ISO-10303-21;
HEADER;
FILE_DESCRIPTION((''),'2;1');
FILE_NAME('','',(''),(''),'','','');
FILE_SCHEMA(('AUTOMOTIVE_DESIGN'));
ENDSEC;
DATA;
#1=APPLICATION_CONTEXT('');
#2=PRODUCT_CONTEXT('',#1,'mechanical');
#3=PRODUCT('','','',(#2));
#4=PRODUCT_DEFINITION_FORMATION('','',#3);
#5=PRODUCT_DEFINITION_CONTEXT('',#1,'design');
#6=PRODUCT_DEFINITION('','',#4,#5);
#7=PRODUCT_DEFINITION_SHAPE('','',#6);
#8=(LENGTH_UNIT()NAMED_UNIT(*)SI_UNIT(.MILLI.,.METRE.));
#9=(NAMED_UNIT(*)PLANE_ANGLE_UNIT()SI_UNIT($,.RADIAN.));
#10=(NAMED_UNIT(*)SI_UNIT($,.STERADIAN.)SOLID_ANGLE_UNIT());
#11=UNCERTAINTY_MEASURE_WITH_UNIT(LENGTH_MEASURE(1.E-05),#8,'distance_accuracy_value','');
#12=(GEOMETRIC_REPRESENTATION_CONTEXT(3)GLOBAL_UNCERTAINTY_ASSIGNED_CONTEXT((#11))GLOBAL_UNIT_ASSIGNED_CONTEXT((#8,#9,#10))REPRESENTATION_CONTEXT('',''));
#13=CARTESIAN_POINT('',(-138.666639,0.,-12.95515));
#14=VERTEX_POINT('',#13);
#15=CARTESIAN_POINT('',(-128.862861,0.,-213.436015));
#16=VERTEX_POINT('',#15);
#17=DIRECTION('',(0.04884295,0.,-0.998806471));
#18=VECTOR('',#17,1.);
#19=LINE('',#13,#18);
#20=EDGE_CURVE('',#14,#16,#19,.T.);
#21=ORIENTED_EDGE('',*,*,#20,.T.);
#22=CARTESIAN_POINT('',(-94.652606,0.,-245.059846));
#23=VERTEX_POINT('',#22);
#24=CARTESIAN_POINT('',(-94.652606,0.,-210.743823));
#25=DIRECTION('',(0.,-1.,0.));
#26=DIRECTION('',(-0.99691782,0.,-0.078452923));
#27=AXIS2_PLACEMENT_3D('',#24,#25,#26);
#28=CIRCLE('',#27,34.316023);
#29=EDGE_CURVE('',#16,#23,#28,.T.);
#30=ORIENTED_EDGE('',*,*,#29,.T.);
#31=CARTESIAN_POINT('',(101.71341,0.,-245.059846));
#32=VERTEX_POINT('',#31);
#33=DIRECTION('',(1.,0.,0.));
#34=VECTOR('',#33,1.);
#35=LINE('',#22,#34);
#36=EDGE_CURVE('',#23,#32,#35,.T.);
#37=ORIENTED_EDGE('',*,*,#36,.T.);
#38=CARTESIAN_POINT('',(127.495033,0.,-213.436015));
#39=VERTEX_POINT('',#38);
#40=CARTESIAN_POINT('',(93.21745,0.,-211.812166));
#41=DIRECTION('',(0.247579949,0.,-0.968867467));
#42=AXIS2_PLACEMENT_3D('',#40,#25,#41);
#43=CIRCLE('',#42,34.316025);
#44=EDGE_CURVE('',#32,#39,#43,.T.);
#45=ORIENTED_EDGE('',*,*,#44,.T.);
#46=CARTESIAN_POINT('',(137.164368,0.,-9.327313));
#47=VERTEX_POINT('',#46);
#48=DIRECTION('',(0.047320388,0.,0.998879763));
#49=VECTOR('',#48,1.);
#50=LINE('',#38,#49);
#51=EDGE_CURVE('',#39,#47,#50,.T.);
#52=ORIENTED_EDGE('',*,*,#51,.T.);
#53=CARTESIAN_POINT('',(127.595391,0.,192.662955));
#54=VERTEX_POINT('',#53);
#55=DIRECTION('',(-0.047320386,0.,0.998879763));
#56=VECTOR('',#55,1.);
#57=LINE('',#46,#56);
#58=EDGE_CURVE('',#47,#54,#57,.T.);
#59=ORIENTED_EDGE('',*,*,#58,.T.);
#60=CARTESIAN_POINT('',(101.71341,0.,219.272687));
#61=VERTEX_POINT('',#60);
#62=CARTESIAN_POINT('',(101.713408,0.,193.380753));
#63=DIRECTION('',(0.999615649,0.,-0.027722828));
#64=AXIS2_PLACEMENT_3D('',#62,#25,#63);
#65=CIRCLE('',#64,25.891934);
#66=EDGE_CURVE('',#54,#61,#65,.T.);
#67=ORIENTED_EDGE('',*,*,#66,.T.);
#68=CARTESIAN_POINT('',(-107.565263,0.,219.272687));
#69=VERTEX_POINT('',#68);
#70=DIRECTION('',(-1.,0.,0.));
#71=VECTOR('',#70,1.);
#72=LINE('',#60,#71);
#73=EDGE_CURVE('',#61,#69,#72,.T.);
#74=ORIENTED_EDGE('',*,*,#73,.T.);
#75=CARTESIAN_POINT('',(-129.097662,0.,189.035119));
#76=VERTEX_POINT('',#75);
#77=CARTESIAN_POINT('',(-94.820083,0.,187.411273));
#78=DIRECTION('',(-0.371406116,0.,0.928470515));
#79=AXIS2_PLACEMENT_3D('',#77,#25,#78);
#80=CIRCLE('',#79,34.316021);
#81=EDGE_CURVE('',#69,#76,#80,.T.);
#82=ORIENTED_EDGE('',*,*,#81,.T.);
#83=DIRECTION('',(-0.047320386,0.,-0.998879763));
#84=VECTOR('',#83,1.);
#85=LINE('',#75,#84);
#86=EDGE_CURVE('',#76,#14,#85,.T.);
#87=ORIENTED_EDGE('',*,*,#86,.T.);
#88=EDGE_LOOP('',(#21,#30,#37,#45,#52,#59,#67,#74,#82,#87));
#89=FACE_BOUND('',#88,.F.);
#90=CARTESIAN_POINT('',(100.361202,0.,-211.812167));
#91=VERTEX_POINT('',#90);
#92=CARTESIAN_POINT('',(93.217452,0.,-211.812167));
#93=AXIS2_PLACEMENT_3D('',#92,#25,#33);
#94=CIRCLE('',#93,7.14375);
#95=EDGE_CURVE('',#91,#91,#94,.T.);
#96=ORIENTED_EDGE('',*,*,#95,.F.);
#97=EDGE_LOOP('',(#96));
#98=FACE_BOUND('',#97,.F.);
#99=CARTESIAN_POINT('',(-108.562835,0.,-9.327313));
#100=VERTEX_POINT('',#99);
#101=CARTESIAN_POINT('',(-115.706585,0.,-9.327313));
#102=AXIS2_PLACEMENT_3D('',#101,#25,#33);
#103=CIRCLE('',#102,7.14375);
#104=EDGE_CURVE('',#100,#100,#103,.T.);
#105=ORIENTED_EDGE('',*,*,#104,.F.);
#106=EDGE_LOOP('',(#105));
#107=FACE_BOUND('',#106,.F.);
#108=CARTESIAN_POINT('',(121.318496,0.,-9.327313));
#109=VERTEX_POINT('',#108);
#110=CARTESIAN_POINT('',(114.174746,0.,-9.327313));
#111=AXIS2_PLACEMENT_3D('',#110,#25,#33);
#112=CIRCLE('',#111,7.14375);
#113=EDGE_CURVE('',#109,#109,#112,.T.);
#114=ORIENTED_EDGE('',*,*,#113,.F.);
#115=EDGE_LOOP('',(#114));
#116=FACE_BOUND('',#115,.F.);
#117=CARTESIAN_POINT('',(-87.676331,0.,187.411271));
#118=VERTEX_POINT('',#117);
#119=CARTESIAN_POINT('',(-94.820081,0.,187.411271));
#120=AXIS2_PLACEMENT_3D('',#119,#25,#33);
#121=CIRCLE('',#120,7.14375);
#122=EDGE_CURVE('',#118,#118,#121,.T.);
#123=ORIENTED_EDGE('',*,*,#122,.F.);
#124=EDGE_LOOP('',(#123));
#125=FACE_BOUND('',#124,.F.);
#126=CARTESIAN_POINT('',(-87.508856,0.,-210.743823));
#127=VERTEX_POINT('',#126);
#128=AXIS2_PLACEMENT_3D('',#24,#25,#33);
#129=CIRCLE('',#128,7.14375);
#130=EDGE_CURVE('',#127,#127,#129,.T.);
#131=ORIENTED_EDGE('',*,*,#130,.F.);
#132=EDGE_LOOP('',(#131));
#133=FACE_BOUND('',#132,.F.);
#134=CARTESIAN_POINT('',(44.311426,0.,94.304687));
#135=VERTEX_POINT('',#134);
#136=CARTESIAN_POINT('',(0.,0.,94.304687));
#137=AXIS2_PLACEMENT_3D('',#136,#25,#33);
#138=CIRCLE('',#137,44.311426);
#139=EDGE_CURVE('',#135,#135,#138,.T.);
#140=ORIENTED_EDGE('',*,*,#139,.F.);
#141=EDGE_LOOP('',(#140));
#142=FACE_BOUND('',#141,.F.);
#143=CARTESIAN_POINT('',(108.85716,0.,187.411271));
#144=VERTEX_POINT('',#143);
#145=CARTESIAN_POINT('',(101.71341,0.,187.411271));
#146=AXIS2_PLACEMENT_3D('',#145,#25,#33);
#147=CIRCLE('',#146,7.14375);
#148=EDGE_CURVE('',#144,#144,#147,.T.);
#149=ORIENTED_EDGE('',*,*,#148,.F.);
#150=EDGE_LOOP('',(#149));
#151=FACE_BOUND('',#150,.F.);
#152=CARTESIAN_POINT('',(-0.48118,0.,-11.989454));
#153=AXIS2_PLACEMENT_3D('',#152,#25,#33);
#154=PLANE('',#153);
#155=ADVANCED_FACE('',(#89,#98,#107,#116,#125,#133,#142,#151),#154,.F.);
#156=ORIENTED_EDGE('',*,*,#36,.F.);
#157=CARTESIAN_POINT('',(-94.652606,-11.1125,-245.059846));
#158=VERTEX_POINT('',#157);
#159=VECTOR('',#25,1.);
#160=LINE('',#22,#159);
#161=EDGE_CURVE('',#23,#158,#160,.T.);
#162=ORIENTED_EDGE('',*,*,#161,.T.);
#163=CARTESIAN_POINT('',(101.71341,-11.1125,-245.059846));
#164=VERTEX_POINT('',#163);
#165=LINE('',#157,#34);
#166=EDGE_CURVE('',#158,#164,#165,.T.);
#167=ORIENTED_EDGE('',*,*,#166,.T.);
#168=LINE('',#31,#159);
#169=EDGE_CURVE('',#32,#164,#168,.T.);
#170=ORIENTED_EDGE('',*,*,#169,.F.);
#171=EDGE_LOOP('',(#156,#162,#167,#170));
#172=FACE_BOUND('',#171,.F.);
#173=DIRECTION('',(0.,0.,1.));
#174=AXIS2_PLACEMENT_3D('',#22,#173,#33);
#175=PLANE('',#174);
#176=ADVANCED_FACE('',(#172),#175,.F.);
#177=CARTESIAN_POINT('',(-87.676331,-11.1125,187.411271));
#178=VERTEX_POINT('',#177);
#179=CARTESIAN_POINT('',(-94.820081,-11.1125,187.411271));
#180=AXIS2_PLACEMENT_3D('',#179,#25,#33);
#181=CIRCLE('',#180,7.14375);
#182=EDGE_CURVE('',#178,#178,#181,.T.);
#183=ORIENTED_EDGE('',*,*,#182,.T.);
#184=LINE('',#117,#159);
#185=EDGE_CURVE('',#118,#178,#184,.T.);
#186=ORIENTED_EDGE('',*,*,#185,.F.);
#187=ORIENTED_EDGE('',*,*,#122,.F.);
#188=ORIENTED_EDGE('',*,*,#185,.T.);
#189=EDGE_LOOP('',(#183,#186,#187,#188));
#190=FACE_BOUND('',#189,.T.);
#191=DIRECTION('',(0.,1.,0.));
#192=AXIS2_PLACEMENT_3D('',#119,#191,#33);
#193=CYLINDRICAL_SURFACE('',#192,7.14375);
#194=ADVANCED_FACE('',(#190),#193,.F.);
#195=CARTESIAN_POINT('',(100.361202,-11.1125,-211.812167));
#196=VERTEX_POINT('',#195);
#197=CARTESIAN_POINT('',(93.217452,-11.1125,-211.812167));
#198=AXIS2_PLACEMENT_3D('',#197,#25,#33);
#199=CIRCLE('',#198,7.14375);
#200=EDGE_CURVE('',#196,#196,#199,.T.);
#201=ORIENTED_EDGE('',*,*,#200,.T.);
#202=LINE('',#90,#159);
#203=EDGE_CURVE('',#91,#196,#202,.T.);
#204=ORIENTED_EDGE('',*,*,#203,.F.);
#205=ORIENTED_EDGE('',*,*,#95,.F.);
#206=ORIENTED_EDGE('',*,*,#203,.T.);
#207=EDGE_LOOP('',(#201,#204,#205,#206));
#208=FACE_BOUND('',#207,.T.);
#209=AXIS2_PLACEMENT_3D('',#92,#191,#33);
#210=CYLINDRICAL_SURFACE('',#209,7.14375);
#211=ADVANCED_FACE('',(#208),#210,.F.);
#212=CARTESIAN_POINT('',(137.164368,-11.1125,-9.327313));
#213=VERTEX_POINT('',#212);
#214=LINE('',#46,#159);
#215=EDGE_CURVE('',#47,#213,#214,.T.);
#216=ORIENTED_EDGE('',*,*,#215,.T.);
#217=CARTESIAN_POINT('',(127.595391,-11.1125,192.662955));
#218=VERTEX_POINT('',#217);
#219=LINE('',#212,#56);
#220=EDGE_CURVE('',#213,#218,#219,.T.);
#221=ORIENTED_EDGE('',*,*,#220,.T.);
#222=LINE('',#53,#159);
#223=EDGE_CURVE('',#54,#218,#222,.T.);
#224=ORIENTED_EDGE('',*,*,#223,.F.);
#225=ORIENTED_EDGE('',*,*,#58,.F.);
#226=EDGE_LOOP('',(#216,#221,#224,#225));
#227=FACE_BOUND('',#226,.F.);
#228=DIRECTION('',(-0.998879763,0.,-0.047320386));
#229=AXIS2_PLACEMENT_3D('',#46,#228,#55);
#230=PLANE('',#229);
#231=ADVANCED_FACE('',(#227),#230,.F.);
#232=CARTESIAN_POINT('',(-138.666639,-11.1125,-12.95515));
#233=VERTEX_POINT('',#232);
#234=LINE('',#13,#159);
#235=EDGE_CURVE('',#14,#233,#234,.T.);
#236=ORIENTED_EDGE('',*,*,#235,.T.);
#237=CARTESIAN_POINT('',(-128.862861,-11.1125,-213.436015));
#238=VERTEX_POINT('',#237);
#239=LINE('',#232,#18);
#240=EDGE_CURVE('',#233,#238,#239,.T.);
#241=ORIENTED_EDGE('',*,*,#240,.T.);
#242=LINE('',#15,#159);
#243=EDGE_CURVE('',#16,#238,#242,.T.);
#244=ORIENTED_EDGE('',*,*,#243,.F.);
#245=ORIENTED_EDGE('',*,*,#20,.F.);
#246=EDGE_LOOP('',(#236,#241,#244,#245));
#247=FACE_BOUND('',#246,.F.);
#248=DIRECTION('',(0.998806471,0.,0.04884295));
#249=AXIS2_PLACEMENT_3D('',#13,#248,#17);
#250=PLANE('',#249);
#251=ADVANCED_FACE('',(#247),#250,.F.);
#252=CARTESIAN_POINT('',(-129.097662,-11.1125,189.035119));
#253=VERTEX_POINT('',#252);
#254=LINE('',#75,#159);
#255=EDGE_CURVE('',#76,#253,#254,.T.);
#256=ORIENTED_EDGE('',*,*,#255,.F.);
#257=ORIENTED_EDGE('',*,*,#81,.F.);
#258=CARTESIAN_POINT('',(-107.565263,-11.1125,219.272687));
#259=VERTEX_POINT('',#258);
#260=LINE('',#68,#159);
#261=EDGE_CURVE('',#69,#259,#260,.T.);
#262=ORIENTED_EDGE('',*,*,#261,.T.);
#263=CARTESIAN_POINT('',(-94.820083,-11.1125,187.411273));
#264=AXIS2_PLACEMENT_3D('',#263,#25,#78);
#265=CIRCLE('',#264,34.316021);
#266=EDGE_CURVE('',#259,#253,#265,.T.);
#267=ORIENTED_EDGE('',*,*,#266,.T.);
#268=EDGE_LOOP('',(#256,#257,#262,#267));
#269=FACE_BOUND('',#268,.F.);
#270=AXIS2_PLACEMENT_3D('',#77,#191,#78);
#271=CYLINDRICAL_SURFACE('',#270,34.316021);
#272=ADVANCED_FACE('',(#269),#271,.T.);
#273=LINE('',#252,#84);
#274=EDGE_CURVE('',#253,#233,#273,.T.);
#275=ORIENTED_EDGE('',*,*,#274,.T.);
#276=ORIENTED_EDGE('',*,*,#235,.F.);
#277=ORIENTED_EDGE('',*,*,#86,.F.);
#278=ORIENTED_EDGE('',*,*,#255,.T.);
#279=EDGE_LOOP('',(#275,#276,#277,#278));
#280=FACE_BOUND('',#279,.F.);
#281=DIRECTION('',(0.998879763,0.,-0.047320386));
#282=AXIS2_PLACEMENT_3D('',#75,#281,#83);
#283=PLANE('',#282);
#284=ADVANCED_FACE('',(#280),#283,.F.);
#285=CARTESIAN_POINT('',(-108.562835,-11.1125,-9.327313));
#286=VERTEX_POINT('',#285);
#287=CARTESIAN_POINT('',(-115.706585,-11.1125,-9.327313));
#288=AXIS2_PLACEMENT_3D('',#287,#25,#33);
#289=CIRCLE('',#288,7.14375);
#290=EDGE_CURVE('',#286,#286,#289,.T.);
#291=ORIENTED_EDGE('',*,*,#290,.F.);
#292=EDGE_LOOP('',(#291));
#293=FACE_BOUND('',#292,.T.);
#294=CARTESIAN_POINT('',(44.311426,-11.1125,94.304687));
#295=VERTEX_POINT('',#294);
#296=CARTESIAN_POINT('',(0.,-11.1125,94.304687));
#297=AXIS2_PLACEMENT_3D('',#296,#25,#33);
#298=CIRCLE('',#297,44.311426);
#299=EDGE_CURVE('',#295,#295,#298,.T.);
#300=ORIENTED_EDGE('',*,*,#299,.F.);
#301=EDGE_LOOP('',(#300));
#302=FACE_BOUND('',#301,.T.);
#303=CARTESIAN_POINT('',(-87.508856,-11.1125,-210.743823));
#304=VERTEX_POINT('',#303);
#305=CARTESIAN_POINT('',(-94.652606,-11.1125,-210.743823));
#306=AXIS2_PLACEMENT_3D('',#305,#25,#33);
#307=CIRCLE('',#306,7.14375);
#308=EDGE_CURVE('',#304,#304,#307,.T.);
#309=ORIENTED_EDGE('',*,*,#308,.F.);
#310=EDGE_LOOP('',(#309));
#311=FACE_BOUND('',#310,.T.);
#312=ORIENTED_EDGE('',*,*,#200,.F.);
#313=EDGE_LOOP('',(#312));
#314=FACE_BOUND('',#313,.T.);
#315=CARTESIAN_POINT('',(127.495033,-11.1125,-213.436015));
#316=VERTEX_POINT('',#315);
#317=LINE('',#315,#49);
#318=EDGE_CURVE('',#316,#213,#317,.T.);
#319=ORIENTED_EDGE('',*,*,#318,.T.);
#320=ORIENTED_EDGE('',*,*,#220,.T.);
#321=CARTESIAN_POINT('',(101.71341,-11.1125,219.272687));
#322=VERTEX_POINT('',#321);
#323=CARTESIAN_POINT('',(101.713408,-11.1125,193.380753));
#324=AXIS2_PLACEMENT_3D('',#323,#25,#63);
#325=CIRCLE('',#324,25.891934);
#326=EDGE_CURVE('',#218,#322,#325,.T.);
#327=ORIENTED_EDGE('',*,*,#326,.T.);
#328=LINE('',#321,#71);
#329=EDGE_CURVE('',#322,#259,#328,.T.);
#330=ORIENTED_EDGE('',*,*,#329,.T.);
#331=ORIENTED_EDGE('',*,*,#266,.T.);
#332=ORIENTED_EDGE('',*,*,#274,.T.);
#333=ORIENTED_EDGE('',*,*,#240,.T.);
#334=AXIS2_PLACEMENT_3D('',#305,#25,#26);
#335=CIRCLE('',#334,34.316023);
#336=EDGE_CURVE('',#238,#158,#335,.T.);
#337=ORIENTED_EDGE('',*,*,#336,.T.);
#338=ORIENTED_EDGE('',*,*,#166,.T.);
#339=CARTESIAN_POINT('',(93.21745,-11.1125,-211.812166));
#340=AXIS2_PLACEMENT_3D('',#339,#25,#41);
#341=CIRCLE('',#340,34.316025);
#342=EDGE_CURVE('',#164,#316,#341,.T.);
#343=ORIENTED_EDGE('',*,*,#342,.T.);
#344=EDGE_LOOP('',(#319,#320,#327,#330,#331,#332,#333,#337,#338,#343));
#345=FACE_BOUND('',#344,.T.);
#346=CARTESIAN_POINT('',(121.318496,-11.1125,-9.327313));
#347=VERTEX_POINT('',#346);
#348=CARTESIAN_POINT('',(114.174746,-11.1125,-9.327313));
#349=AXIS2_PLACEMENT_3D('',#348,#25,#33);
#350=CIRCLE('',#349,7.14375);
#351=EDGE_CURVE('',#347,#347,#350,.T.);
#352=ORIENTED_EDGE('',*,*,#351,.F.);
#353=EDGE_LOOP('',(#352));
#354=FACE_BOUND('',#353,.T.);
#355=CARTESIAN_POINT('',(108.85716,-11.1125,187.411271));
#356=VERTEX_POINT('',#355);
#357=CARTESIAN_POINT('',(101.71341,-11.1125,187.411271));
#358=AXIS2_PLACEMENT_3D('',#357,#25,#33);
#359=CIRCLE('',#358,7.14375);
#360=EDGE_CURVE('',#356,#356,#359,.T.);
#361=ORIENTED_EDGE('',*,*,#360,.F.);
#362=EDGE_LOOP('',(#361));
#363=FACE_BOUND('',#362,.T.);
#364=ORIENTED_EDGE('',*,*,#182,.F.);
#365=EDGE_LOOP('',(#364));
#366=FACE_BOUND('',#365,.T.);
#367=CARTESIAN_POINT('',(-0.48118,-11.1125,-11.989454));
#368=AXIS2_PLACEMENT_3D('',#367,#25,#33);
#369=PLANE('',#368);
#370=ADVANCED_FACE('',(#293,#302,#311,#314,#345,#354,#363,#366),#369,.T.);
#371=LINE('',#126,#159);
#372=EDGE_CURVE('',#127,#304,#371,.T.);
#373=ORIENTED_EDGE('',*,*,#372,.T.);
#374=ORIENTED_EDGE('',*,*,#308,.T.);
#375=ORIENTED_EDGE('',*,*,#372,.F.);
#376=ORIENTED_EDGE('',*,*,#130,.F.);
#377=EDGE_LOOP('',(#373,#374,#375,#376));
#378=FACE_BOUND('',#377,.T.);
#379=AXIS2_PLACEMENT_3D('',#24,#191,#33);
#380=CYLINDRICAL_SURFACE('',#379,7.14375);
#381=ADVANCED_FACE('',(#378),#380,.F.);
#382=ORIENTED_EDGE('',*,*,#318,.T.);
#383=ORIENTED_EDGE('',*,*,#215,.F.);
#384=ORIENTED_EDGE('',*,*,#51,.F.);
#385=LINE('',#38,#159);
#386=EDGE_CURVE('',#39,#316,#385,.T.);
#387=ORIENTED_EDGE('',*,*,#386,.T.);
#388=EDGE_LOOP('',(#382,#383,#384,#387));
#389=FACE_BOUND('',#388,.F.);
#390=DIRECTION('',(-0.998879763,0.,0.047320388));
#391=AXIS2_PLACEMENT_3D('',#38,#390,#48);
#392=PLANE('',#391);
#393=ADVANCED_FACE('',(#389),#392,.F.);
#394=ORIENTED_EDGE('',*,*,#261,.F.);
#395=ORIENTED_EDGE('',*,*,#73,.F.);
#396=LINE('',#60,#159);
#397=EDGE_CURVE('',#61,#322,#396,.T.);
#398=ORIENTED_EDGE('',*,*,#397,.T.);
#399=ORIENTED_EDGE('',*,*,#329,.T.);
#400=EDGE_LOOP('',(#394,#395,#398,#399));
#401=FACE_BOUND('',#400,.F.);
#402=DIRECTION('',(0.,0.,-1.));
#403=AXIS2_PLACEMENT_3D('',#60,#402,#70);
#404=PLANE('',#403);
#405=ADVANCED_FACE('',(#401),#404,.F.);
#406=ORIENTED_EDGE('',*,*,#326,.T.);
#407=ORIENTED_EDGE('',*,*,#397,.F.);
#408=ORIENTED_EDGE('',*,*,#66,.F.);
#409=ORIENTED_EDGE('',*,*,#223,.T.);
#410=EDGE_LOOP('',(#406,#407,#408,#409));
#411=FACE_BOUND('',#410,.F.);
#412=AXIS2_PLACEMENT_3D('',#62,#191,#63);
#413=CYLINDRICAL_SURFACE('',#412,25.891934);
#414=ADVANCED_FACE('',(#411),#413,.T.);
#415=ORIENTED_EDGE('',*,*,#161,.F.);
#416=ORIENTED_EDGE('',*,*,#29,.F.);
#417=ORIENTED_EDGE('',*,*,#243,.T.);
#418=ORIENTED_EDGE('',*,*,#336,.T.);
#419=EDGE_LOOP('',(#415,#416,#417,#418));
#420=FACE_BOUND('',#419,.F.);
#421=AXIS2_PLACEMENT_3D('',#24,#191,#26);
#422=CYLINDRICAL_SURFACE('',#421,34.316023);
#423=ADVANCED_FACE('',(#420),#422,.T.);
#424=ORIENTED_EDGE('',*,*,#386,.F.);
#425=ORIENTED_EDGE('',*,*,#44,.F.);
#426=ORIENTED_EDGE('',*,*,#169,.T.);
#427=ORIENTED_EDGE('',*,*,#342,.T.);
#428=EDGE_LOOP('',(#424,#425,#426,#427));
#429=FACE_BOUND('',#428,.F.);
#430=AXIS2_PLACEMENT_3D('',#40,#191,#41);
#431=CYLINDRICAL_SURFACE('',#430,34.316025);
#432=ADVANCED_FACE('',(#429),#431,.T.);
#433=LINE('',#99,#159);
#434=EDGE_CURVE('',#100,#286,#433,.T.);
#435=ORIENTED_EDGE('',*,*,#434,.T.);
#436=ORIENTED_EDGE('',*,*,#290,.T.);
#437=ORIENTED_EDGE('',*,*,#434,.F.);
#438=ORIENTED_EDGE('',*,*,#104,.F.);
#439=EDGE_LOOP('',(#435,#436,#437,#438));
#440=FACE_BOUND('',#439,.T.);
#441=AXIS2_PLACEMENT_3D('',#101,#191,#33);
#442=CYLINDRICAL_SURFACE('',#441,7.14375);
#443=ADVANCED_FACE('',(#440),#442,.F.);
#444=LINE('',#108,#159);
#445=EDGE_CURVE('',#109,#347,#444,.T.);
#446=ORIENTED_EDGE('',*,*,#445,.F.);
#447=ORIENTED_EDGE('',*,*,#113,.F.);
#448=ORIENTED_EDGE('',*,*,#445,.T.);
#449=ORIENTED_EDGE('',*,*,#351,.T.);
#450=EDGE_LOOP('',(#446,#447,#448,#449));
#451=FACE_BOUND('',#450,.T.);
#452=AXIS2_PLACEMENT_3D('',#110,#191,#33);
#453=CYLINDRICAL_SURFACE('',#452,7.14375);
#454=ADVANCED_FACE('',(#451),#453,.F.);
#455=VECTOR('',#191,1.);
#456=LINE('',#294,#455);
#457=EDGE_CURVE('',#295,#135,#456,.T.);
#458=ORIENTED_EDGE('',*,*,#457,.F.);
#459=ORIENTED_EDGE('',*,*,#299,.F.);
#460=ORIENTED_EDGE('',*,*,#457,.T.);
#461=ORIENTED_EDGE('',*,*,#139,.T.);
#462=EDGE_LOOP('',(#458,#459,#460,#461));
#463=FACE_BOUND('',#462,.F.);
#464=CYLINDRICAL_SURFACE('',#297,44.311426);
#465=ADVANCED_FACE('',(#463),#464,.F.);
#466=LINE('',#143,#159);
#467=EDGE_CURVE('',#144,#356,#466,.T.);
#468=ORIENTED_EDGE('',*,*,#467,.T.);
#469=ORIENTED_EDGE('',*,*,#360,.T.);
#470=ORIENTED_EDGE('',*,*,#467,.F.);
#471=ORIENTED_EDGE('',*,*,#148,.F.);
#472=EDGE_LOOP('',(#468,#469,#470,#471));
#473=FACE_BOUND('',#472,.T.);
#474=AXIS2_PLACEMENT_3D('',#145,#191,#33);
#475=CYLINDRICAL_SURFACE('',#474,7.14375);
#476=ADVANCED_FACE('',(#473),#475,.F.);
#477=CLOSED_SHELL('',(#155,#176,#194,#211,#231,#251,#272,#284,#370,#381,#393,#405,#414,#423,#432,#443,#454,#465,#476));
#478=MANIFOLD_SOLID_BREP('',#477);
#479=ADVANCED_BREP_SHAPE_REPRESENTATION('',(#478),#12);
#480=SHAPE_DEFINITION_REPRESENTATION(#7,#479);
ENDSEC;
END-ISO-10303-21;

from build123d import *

# Parameters (mm, degrees)
F0_R     = 7.14375
F1_DEPTH = 11.1125
F2_R     = 44.311426
F3_DEPTH = 11.1135


with BuildPart() as f1:
    # F0 (on Front) → F1 (new body)
    with BuildSketch(Plane.XZ):
        with BuildLine():
            ThreePointArc((127.595391, 192.662955), (120.273816, 211.433551), (101.71341, 219.272687))
            Line((101.71341, 219.272687), (-107.565263, 219.272687))
            ThreePointArc((-107.565263, 219.272687), (-122.772947, 207.316717), (-129.097662, 189.035119))
            Line((-129.097662, 189.035119), (-138.666639, -12.95515))
            Line((-138.666639, -12.95515), (-128.862861, -213.436015))
            ThreePointArc((-128.862861, -213.436015), (-117.946426, -235.942779), (-94.652606, -245.059846))
            Line((-94.652606, -245.059846), (101.71341, -245.059846))
            ThreePointArc((101.71341, -245.059846), (119.814643, -233.495775), (127.495033, -213.436015))
            Line((127.495033, -213.436015), (137.164368, -9.327313))
            Line((137.164368, -9.327313), (127.595391, 192.662955))
        make_face()
        with Locations((-94.652606, -210.743823)):
            Circle(F0_R, mode=Mode.SUBTRACT)
        with Locations((93.217452, -211.812167)):
            Circle(F0_R, mode=Mode.SUBTRACT)
        with Locations((-115.706585, -9.327313)):
            Circle(F0_R, mode=Mode.SUBTRACT)
        with Locations((-94.820081, 187.411271)):
            Circle(F0_R, mode=Mode.SUBTRACT)
        with Locations((114.174746, -9.327313)):
            Circle(F0_R, mode=Mode.SUBTRACT)
        with Locations((101.71341, 187.411271)):
            Circle(F0_R, mode=Mode.SUBTRACT)
    extrude(amount=F1_DEPTH)

    # F2 (on face) → F3 (cut, through all)
    with BuildSketch(Plane.XZ.offset(11.1125)):
        with Locations((0, 94.304687)):
            Circle(F2_R)
    extrude(amount=-F3_DEPTH, mode=Mode.SUBTRACT)


solid = f1.part
